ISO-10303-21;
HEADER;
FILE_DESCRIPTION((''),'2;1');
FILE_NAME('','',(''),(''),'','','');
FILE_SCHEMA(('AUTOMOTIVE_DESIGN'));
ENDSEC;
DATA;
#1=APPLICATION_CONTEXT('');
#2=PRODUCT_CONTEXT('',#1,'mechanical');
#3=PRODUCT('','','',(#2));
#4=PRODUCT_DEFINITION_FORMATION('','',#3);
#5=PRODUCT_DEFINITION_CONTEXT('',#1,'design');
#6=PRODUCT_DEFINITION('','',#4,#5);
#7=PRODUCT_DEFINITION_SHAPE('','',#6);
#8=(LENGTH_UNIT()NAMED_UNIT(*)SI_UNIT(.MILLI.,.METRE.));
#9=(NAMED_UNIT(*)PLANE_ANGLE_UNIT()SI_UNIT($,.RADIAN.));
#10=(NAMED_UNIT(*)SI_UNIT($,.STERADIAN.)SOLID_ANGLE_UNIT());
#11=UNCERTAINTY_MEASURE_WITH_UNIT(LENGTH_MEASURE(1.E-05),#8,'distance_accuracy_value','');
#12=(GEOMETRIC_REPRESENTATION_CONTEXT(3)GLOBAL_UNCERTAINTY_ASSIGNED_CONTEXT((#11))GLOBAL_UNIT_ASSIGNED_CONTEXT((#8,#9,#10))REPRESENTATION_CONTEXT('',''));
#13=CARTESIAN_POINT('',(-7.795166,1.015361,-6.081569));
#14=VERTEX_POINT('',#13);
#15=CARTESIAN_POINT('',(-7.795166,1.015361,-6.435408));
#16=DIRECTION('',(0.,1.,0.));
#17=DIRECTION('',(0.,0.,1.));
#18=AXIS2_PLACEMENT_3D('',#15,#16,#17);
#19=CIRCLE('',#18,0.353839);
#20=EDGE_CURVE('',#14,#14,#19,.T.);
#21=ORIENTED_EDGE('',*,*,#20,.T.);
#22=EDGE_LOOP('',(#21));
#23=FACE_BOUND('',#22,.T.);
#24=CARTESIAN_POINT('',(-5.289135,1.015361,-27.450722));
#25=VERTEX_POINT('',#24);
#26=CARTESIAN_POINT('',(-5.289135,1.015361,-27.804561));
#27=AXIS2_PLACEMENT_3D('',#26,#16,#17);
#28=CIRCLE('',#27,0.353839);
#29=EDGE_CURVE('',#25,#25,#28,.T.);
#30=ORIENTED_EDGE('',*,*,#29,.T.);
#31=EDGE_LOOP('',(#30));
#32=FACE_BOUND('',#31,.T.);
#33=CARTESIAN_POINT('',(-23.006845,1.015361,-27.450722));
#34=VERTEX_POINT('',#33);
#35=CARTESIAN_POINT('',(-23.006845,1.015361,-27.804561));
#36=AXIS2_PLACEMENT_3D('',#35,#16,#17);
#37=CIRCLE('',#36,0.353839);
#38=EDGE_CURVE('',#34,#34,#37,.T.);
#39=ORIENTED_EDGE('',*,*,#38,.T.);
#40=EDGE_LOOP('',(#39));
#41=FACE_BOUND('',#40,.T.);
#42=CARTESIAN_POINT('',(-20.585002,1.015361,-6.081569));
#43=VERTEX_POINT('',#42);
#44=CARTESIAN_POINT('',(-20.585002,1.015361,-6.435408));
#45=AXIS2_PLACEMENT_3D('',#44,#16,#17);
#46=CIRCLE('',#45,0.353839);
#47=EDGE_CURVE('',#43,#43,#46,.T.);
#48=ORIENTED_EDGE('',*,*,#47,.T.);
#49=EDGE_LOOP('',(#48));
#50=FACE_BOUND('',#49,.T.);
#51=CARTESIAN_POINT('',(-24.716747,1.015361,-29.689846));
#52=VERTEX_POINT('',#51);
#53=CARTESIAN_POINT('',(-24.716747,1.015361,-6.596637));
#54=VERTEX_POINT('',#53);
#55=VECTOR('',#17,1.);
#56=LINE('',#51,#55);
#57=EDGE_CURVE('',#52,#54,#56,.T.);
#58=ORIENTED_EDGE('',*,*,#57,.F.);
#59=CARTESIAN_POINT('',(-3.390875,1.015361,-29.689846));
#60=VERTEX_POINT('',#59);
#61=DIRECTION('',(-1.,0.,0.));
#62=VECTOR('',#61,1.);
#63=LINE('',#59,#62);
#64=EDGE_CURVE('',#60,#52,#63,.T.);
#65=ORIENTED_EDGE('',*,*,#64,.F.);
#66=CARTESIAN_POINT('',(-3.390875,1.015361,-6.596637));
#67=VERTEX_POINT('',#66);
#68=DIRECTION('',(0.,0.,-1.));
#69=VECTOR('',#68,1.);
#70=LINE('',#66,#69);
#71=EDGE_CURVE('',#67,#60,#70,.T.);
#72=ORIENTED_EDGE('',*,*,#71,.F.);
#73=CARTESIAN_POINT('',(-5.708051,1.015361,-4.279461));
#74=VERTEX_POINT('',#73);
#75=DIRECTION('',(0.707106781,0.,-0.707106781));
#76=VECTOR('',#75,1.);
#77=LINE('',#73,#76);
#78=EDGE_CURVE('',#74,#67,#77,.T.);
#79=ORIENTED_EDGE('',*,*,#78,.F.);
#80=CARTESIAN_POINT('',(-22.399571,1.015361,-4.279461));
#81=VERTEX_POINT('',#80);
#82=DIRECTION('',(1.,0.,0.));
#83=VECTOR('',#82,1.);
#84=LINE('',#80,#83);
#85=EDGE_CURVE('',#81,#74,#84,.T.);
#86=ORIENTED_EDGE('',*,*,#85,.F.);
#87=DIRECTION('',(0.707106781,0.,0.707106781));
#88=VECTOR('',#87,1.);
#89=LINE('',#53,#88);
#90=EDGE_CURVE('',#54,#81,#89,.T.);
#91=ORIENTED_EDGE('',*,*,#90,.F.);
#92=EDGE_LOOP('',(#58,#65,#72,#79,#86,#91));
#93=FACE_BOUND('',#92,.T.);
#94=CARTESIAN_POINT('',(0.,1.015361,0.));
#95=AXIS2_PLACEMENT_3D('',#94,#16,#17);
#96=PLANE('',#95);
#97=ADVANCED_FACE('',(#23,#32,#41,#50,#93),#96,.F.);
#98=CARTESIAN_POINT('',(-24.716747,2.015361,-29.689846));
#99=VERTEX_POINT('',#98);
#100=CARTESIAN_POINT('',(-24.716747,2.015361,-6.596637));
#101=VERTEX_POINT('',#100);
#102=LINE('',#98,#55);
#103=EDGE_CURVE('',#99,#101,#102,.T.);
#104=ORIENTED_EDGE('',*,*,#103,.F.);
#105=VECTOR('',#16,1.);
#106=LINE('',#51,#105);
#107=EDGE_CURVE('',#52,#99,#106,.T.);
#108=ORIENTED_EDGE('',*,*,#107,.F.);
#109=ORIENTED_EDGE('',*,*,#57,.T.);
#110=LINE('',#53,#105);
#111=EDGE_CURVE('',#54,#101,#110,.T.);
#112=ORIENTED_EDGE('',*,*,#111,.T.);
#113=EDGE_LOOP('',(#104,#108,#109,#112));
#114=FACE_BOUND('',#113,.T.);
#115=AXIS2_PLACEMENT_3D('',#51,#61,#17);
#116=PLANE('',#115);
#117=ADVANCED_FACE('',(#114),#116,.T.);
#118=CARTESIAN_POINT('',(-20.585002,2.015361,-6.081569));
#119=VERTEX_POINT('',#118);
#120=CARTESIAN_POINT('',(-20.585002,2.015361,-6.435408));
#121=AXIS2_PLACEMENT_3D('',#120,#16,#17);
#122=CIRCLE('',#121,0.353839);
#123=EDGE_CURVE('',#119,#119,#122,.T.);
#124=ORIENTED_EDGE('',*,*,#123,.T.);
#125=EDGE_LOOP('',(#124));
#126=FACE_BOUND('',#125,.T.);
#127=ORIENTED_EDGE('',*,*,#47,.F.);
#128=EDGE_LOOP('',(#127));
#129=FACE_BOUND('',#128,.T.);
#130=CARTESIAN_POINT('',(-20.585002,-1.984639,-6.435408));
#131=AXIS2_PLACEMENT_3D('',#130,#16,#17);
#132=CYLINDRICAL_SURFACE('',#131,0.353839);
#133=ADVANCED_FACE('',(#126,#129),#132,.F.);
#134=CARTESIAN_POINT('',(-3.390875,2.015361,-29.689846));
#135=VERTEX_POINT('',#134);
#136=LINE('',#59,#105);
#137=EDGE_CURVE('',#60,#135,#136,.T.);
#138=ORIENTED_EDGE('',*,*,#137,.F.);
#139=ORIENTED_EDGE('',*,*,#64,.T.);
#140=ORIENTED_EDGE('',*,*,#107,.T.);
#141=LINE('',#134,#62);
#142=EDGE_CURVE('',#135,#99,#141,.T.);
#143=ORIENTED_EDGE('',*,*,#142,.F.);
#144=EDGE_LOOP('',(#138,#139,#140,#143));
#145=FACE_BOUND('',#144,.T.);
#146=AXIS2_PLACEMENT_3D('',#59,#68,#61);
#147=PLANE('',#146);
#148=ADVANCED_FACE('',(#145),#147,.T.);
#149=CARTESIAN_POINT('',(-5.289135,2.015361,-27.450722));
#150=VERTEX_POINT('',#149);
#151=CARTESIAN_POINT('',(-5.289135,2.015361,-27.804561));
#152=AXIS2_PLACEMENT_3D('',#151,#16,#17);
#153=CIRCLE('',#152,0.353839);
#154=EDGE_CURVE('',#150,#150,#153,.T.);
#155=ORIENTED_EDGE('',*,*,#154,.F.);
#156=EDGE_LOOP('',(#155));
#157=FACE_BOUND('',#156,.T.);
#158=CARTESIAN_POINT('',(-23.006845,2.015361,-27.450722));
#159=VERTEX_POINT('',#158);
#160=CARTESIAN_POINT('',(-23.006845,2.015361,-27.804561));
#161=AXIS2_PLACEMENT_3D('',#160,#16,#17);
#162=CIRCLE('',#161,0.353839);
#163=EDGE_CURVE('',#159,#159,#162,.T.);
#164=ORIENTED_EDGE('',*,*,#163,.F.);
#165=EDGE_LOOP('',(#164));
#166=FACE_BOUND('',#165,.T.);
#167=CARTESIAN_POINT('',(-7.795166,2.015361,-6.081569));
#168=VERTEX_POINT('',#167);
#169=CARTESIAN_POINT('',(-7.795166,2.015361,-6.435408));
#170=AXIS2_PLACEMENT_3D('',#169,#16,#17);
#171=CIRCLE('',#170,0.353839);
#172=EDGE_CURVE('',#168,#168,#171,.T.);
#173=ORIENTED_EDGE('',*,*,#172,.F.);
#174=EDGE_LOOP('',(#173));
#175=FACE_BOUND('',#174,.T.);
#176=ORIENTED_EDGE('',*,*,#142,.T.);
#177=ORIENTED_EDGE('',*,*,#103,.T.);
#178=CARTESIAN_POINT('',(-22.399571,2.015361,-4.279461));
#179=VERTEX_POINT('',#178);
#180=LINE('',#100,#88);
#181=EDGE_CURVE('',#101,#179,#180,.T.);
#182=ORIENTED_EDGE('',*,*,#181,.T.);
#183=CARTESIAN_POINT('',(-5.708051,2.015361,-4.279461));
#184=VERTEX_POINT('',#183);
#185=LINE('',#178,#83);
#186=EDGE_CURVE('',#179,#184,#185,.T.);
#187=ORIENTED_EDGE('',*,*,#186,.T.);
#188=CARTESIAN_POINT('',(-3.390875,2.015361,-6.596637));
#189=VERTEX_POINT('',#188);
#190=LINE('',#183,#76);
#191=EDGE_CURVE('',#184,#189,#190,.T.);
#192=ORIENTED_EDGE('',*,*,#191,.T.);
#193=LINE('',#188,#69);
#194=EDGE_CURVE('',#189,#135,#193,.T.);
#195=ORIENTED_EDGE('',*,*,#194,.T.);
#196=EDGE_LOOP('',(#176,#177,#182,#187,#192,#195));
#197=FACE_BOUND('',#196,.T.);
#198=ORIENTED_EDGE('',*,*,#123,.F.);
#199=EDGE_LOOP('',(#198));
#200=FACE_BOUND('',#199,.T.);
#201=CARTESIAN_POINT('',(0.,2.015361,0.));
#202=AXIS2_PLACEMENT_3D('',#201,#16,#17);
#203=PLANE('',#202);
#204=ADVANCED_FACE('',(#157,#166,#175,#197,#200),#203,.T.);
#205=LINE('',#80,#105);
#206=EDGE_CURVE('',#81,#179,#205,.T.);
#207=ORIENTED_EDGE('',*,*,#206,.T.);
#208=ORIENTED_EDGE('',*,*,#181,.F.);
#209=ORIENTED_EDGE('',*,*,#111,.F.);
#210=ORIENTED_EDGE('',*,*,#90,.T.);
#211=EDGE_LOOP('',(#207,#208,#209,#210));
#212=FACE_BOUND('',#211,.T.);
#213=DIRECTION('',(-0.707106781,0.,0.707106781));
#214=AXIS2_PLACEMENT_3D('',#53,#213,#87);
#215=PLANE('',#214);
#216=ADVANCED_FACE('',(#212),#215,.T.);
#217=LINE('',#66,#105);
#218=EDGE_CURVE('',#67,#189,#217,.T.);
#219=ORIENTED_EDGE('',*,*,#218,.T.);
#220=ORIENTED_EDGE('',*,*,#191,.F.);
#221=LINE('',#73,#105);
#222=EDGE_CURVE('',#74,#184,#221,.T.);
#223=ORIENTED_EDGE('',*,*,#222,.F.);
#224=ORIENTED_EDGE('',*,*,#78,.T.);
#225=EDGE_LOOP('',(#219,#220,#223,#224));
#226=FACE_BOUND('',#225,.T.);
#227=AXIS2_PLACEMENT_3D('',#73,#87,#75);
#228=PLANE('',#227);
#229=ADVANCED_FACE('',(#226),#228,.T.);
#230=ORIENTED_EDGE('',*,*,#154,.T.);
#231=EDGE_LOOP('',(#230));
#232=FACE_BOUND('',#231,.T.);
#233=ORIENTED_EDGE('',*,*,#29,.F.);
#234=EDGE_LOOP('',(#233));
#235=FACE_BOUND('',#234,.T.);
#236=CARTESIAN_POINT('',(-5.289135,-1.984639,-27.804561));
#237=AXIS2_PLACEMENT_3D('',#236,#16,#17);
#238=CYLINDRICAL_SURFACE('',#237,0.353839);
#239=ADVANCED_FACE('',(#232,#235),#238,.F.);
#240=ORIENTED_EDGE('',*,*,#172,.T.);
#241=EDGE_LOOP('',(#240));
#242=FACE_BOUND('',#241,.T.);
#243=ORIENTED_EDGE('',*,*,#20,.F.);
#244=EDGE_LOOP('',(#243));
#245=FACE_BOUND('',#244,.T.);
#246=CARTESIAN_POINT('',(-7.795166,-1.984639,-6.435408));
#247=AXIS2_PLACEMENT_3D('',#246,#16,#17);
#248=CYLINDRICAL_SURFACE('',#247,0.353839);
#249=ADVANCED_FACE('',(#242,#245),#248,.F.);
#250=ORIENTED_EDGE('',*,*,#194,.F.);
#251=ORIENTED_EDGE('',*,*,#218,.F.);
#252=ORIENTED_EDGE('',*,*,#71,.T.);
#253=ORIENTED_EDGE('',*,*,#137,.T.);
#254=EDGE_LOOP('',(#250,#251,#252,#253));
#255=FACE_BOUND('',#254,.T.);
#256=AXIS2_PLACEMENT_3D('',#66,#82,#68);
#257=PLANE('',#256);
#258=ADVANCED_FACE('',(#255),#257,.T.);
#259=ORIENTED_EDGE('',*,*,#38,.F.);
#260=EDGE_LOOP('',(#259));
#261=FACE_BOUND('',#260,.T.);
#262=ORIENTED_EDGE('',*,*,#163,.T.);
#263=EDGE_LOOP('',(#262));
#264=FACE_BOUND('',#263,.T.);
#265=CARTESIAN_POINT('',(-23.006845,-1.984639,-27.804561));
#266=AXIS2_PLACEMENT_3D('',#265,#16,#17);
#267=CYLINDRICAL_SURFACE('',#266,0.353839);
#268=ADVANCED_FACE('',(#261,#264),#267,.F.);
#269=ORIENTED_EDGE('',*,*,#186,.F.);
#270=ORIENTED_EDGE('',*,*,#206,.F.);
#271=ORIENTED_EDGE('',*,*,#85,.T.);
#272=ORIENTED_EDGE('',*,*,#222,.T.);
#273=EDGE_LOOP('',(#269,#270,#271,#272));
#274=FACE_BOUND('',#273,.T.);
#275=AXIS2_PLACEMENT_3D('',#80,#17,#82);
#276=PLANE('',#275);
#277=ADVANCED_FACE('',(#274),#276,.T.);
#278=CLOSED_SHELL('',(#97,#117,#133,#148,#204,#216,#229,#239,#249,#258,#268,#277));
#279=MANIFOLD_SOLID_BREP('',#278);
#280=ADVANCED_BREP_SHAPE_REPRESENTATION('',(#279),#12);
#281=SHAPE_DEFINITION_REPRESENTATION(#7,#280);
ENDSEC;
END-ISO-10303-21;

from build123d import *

# Parameters (mm, degrees)
BOSS_EXTRUDE3_DEPTH = 1
SKETCH23_R          = 0.353838886
CUT_EXTRUDE13_DEPTH = 4


with BuildPart() as part:
    # Sketch22 → Boss-Extrude3 (new body)
    with BuildSketch(Plane(origin=(0, 2.015360823, 0), x_dir=(1, 0, 0), z_dir=(0, 1, 0))):
        Polygon((-24.716746523, 29.689845928), (-24.716746523, 6.596637121), (-22.39957081, 4.279461407), (-5.708050839, 4.279461407), (-3.390875125, 6.596637121), (-3.390875125, 29.689845928), align=None)
    extrude(amount=-BOSS_EXTRUDE3_DEPTH)

    # Sketch23 → Cut-Extrude13 (cut)
    with BuildSketch(Plane(origin=(0, 2.015360823, 0), x_dir=(1, 0, 0), z_dir=(0, 1, 0))):
        with Locations((-23.006845426, 27.804561031)):
            Circle(SKETCH23_R)
        with Locations((-5.289134614, 27.804561031)):
            Circle(SKETCH23_R)
        with Locations((-20.585001957, 6.435408141)):
            Circle(SKETCH23_R)
        with Locations((-7.795165685, 6.435408141)):
            Circle(SKETCH23_R)
    extrude(amount=-CUT_EXTRUDE13_DEPTH, mode=Mode.SUBTRACT)


solid = part.part
